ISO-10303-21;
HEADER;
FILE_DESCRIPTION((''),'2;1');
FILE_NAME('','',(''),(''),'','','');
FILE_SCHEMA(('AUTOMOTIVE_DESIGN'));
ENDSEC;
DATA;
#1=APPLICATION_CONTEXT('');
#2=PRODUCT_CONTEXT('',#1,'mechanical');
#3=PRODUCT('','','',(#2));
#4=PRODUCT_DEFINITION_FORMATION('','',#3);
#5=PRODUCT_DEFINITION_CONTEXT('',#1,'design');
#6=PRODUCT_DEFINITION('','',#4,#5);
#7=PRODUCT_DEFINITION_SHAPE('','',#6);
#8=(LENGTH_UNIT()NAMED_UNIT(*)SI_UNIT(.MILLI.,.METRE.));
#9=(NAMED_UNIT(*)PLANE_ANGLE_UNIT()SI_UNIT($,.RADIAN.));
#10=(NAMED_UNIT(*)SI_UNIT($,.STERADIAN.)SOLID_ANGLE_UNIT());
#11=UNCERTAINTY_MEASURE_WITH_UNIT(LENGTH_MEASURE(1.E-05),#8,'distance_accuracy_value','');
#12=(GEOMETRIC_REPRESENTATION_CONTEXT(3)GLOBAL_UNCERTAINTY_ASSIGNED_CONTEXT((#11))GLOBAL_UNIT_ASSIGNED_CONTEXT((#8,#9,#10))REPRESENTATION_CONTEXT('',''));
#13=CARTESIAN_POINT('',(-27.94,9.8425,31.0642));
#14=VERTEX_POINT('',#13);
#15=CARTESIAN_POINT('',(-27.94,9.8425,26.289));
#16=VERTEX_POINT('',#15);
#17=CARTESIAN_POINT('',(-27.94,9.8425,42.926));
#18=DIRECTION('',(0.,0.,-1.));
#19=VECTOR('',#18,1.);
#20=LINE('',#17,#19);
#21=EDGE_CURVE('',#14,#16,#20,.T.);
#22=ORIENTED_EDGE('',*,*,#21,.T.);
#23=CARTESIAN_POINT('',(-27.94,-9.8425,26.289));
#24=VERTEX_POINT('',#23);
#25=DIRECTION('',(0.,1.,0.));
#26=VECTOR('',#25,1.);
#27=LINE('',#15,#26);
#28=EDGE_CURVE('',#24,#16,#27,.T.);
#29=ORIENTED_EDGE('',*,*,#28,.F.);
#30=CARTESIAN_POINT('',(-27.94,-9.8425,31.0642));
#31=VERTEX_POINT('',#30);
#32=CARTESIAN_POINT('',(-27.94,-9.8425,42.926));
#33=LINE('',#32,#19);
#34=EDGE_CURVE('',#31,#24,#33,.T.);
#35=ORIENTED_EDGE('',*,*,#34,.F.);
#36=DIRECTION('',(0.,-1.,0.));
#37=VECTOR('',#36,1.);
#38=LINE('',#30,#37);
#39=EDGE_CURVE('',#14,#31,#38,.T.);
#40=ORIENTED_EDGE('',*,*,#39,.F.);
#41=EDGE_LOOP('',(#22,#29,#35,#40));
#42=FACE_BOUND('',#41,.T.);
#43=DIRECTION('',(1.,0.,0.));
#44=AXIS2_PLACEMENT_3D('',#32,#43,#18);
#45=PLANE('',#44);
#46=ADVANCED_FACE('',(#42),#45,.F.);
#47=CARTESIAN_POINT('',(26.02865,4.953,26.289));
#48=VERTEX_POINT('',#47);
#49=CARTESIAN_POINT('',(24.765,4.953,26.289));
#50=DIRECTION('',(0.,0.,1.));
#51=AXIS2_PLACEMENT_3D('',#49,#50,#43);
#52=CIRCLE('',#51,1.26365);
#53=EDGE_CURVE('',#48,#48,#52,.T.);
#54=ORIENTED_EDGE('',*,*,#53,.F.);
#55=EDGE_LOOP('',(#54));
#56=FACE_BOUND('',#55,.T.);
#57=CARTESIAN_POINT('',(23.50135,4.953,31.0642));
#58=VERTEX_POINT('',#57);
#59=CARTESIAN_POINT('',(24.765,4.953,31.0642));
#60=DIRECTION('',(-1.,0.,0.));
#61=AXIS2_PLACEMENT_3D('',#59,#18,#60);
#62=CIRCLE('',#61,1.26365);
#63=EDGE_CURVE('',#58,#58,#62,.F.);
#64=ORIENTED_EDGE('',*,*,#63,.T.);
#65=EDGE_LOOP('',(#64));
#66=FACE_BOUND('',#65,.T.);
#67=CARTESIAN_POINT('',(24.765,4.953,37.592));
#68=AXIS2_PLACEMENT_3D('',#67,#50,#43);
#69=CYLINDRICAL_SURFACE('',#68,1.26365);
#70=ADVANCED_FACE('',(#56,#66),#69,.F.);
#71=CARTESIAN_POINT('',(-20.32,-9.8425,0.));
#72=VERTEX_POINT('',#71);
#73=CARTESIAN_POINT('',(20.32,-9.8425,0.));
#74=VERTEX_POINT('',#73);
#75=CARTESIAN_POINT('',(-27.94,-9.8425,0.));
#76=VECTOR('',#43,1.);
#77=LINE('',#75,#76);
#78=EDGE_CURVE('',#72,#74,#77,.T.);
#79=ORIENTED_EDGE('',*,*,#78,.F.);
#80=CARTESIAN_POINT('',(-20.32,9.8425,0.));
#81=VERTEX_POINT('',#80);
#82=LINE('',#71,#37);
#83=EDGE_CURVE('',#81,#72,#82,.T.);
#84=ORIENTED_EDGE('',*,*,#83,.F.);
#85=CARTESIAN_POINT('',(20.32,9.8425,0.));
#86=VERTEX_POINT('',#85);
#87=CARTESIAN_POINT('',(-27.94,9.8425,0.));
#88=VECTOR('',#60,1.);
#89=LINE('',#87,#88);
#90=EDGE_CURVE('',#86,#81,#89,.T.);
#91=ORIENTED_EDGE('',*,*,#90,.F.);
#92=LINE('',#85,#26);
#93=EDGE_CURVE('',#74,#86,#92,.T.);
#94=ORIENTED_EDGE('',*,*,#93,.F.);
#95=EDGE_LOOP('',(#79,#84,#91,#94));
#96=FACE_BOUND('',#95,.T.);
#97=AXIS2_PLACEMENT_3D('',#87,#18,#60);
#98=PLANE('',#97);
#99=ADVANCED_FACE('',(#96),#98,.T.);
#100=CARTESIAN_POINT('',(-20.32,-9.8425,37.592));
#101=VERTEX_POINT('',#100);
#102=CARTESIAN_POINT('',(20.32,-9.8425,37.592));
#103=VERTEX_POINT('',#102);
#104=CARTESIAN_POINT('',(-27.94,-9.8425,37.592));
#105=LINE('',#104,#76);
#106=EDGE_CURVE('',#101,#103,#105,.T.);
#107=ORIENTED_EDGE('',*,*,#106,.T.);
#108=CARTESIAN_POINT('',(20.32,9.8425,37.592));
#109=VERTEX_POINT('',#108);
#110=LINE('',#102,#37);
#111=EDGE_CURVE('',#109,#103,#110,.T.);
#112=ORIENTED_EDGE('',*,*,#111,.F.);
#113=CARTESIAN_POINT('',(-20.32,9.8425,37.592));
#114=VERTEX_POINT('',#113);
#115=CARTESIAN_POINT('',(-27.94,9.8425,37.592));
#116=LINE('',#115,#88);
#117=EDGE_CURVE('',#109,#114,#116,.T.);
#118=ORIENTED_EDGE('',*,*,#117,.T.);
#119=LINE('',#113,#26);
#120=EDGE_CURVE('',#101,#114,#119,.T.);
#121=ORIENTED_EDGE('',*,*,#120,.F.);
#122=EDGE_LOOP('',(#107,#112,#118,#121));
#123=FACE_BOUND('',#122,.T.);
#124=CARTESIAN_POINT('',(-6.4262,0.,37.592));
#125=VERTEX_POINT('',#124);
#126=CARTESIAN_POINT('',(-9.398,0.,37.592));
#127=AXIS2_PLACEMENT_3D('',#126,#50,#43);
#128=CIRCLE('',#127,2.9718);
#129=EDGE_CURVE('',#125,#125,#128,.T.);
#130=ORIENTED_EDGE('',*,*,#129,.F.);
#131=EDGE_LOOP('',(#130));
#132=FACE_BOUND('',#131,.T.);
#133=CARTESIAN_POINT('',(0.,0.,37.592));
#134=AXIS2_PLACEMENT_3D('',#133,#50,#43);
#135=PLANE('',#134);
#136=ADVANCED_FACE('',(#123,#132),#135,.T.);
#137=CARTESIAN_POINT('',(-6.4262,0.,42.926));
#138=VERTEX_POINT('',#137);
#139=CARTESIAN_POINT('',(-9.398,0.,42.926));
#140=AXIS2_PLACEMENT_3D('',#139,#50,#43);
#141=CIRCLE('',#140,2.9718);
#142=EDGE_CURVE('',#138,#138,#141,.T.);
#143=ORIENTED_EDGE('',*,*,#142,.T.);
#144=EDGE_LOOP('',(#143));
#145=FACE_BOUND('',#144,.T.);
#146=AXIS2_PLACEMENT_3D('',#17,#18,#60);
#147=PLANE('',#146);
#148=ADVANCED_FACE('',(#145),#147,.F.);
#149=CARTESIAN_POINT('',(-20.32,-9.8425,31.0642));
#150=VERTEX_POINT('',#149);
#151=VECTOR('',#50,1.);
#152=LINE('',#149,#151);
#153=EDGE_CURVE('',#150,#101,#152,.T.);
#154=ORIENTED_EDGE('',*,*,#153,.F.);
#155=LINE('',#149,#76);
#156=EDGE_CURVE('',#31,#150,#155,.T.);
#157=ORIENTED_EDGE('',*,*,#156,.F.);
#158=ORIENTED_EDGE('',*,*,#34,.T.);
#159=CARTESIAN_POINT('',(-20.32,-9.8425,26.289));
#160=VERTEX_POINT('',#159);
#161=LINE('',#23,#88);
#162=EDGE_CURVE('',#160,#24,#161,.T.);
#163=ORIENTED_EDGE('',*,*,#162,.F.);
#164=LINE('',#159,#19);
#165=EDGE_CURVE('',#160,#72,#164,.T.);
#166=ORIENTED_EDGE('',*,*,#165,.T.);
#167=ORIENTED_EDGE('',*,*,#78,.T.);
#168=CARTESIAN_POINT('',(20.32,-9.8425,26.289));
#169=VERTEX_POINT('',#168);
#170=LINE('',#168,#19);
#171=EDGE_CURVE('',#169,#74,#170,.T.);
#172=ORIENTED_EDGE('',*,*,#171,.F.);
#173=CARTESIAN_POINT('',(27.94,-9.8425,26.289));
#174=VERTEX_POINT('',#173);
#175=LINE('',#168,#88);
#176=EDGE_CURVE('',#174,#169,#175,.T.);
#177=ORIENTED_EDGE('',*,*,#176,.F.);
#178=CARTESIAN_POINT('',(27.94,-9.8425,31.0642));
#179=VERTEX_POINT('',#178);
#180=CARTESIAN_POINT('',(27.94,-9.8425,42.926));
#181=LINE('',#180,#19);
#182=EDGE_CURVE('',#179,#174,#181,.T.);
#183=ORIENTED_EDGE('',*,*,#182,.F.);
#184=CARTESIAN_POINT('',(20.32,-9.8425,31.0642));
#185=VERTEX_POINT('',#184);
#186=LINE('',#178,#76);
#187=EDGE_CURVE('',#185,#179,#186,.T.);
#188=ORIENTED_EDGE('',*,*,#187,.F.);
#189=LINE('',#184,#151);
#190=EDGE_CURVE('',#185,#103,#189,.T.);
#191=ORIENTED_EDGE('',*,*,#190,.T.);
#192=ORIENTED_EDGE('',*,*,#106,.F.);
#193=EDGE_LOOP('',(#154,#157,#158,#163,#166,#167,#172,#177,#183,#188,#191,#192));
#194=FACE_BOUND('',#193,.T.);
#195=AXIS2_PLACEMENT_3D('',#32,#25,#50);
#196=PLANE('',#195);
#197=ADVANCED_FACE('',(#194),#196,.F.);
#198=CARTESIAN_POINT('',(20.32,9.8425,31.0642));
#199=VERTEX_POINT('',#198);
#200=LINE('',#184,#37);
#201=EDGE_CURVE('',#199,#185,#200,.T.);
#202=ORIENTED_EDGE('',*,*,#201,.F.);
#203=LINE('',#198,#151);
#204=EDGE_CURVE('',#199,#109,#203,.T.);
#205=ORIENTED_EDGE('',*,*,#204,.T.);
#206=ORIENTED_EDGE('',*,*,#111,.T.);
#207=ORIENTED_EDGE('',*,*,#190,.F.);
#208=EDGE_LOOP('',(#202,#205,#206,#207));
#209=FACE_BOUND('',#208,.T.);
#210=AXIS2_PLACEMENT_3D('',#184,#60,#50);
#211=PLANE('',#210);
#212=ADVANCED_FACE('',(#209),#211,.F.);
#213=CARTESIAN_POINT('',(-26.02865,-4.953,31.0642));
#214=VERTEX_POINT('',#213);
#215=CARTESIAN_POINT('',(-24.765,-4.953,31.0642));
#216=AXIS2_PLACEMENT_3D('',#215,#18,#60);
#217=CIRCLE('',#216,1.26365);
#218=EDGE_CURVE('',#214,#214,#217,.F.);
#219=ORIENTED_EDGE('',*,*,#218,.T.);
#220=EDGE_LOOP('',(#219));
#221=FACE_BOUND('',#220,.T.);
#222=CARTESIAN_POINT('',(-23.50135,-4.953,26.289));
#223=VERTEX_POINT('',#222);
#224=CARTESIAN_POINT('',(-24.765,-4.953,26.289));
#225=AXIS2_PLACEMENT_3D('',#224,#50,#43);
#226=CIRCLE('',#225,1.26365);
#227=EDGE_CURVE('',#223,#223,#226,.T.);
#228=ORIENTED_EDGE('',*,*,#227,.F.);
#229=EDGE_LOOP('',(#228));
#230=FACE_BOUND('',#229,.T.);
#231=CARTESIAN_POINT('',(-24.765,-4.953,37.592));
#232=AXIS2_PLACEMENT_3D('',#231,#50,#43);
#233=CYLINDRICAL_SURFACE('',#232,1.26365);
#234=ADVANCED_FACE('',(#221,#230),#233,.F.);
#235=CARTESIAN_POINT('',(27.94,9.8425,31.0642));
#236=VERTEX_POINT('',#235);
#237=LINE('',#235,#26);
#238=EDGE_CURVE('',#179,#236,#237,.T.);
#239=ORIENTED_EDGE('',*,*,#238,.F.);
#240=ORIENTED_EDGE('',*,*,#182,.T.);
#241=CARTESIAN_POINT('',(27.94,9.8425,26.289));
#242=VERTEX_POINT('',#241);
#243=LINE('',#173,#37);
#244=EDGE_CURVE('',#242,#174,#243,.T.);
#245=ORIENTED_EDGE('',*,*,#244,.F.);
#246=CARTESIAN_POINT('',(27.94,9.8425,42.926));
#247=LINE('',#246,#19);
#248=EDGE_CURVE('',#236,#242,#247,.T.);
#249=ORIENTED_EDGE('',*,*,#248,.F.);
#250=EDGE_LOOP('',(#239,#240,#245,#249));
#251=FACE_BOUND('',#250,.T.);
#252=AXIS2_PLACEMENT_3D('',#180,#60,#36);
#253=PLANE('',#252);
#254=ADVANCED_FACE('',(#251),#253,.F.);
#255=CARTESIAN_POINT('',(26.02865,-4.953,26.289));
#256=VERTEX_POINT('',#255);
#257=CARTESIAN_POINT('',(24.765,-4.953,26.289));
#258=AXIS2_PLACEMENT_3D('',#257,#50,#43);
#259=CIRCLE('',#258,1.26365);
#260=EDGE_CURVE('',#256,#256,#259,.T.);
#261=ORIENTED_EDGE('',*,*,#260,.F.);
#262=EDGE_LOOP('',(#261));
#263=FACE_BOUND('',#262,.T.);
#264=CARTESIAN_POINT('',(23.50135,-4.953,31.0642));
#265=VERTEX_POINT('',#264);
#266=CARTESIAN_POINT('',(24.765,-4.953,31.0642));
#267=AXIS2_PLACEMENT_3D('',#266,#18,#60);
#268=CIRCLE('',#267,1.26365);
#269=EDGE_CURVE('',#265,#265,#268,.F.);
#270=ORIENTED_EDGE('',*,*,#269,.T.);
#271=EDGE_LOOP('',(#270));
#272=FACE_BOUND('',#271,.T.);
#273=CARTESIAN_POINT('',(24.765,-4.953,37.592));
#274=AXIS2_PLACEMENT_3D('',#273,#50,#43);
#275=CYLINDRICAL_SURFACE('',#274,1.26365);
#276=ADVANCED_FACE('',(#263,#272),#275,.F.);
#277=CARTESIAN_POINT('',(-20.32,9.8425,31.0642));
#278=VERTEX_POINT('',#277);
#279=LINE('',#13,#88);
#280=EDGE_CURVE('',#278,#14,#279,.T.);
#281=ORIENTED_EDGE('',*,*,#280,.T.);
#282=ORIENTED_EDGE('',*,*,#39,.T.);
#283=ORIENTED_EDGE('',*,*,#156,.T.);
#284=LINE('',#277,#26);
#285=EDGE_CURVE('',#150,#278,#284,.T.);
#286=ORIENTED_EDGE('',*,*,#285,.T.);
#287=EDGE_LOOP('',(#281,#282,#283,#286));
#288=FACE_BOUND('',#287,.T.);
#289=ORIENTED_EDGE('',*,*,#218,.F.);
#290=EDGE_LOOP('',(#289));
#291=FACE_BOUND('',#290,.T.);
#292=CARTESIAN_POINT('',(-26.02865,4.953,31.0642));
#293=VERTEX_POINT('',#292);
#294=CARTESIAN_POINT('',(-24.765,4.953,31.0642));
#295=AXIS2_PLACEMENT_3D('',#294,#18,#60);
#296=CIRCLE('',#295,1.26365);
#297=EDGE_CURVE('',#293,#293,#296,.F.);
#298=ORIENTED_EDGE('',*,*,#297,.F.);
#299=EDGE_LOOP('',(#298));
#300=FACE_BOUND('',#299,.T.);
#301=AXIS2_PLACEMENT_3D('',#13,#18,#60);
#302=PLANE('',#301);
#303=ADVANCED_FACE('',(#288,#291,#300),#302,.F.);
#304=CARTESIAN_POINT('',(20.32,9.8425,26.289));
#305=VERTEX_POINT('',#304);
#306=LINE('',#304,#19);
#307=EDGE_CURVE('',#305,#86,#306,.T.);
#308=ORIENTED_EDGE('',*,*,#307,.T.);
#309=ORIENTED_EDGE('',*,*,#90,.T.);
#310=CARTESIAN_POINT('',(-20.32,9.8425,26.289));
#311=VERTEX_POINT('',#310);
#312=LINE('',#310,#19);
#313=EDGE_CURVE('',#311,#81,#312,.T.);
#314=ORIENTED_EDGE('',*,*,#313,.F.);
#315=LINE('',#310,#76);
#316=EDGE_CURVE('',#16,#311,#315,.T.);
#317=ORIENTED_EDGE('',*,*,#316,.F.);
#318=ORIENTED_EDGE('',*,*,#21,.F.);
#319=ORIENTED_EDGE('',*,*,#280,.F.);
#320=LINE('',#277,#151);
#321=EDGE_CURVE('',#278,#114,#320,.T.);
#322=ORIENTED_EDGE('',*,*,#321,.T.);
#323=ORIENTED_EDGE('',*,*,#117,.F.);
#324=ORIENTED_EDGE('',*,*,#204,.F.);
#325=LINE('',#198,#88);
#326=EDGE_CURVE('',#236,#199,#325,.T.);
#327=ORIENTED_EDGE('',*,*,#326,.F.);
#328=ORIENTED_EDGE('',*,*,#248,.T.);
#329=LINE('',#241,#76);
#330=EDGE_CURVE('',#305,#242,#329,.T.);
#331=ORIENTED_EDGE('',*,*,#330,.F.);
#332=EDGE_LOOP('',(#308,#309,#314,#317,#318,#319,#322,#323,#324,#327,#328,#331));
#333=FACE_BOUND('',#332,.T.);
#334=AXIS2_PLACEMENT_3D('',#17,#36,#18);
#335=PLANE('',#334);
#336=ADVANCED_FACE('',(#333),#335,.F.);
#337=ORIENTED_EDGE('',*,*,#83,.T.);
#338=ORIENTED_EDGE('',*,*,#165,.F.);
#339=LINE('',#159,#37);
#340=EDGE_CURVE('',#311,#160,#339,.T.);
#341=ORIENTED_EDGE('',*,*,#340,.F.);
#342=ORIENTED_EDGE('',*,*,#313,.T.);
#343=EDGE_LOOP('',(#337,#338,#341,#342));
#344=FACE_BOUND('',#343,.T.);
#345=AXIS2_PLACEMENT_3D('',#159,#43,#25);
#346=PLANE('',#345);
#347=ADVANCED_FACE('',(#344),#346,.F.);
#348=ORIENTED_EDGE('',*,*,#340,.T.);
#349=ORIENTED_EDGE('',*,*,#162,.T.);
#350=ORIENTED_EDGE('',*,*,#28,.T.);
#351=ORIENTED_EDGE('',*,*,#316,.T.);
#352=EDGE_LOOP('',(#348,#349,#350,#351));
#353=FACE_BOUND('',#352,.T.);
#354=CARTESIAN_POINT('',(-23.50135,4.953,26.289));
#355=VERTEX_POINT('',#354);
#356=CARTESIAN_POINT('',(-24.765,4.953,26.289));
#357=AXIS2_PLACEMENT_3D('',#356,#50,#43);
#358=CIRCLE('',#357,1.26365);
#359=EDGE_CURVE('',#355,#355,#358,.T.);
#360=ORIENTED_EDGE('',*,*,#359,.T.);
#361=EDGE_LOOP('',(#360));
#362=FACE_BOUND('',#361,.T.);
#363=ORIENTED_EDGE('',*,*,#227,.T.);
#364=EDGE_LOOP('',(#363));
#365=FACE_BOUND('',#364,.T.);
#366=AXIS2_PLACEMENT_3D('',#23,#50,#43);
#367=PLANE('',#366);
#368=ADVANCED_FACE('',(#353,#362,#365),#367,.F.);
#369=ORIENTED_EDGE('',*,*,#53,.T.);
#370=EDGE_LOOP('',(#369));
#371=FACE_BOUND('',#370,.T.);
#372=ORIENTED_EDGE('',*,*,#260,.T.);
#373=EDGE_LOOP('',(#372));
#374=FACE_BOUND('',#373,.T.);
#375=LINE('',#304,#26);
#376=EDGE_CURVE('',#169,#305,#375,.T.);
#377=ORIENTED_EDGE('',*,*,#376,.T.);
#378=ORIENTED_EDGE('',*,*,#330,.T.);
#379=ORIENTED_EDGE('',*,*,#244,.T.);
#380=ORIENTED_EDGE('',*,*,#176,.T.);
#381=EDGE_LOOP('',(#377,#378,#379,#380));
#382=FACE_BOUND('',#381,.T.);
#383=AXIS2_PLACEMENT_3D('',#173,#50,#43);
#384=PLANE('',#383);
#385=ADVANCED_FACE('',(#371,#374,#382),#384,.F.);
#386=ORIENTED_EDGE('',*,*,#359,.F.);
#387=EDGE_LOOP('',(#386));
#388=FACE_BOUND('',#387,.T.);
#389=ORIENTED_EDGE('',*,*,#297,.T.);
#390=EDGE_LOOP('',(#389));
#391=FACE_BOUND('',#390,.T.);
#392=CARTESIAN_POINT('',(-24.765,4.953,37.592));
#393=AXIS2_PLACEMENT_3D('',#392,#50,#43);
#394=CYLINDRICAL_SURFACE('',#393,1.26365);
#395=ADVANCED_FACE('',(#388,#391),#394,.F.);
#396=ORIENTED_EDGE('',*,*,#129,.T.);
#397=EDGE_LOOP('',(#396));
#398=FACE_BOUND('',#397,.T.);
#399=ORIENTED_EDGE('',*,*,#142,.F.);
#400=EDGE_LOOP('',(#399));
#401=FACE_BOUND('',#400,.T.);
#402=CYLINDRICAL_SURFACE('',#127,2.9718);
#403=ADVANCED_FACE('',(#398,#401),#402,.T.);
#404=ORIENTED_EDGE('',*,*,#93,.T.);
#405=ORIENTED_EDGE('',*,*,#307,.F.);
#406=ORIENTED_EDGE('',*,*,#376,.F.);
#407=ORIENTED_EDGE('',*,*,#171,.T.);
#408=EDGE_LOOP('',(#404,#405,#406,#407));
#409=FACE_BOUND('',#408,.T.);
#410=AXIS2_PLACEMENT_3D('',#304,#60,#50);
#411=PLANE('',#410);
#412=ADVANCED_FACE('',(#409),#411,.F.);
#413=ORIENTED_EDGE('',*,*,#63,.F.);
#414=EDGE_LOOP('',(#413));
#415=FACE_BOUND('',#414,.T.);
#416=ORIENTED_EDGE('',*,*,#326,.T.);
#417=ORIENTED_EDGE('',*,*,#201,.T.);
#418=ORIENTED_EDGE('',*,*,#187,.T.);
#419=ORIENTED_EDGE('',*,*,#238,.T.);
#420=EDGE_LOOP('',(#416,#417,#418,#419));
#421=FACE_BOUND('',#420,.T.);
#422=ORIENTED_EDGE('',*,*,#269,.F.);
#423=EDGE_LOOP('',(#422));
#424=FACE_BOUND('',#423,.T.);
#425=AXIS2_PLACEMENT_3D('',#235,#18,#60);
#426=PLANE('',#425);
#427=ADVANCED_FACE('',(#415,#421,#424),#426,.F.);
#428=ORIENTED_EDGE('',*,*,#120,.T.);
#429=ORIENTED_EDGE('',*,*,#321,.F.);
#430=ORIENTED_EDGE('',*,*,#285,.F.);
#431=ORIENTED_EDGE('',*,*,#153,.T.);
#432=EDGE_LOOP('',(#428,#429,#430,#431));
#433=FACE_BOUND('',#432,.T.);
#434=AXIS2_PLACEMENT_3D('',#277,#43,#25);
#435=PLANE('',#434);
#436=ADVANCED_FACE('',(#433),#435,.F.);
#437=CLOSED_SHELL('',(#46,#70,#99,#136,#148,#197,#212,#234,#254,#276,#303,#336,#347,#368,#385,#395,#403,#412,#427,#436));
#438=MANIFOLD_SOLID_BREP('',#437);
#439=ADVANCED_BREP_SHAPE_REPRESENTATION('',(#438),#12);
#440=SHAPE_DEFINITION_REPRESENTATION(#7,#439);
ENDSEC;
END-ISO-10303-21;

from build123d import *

# Parameters (mm, degrees)
SKETCH1_W                        = 55.88
SKETCH1_H                        = 19.685
EXTRUDE1_DEPTH                   = 42.926
SKETCH3_OUTSIDE_W                = 72.512
SKETCH3_OUTSIDE_H                = 36.318
SKETCH3_OUTSIDE_R                = 2.9718
EXTRUDE2_DEPTH                   = 5.334
SKETCH8_W                        = 7.62
SKETCH8_H                        = 19.685
EXTRUDE5_DEPTH                   = 26.289
F_39_0_0995_DIAMETER_HOLE1_D     = 2.5273
F_39_0_0995_DIAMETER_HOLE1_DEPTH = 12.7
F_39_0_0995_DIAMETER_HOLE1_TIP   = 0.759277521
SKETCH13_W                       = 7.62
SKETCH13_H                       = 19.685
EXTRUDE6_DEPTH                   = 6.5278


with BuildPart() as part:
    # Sketch1 → Extrude1 (new body)
    with BuildSketch(Plane.XY):
        Rectangle(SKETCH1_W, SKETCH1_H)
    extrude(amount=EXTRUDE1_DEPTH)

    # Sketch3 outside → Extrude2 (cut)
    with BuildSketch(Plane.XY.offset(42.926)):
        Rectangle(SKETCH3_OUTSIDE_W, SKETCH3_OUTSIDE_H)
        with Locations((-9.398, 0)):
            Circle(SKETCH3_OUTSIDE_R, mode=Mode.SUBTRACT)
    extrude(amount=-EXTRUDE2_DEPTH, mode=Mode.SUBTRACT)

    # Sketch8 → Extrude5 (cut)
    with BuildSketch(Plane(origin=(0, 0, 0), x_dir=(-1, 0, 0), z_dir=(0, 0, -1))):
        with Locations((-24.13, 0)):
            Rectangle(SKETCH8_W, SKETCH8_H)
        with Locations((24.13, 0)):
            Rectangle(SKETCH8_W, SKETCH8_H)
    extrude(amount=-EXTRUDE5_DEPTH, mode=Mode.SUBTRACT)

    # #39 (0.0995) Diameter Hole1
    with Locations(Plane(origin=(-24.765, 4.953, 37.592), x_dir=(1, 0, 0), z_dir=(0, 0, 1))):
        with Locations((0, 0), (0, -9.906), (49.53, 0), (49.53, -9.906)):
            Hole(F_39_0_0995_DIAMETER_HOLE1_D / 2, depth=F_39_0_0995_DIAMETER_HOLE1_DEPTH)
            with Locations((0, 0, -(F_39_0_0995_DIAMETER_HOLE1_DEPTH + F_39_0_0995_DIAMETER_HOLE1_TIP / 2))):  # 118° drill point
                Cone(0, F_39_0_0995_DIAMETER_HOLE1_D / 2, F_39_0_0995_DIAMETER_HOLE1_TIP, mode=Mode.SUBTRACT)

    # Sketch13 → Extrude6 (cut)
    with BuildSketch(Plane.XY.offset(37.592)):
        with Locations((-24.13, 0)):
            Rectangle(SKETCH13_W, SKETCH13_H)
        with Locations((24.13, 0)):
            Rectangle(SKETCH13_W, SKETCH13_H)
    extrude(amount=-EXTRUDE6_DEPTH, mode=Mode.SUBTRACT)


solid = part.part
